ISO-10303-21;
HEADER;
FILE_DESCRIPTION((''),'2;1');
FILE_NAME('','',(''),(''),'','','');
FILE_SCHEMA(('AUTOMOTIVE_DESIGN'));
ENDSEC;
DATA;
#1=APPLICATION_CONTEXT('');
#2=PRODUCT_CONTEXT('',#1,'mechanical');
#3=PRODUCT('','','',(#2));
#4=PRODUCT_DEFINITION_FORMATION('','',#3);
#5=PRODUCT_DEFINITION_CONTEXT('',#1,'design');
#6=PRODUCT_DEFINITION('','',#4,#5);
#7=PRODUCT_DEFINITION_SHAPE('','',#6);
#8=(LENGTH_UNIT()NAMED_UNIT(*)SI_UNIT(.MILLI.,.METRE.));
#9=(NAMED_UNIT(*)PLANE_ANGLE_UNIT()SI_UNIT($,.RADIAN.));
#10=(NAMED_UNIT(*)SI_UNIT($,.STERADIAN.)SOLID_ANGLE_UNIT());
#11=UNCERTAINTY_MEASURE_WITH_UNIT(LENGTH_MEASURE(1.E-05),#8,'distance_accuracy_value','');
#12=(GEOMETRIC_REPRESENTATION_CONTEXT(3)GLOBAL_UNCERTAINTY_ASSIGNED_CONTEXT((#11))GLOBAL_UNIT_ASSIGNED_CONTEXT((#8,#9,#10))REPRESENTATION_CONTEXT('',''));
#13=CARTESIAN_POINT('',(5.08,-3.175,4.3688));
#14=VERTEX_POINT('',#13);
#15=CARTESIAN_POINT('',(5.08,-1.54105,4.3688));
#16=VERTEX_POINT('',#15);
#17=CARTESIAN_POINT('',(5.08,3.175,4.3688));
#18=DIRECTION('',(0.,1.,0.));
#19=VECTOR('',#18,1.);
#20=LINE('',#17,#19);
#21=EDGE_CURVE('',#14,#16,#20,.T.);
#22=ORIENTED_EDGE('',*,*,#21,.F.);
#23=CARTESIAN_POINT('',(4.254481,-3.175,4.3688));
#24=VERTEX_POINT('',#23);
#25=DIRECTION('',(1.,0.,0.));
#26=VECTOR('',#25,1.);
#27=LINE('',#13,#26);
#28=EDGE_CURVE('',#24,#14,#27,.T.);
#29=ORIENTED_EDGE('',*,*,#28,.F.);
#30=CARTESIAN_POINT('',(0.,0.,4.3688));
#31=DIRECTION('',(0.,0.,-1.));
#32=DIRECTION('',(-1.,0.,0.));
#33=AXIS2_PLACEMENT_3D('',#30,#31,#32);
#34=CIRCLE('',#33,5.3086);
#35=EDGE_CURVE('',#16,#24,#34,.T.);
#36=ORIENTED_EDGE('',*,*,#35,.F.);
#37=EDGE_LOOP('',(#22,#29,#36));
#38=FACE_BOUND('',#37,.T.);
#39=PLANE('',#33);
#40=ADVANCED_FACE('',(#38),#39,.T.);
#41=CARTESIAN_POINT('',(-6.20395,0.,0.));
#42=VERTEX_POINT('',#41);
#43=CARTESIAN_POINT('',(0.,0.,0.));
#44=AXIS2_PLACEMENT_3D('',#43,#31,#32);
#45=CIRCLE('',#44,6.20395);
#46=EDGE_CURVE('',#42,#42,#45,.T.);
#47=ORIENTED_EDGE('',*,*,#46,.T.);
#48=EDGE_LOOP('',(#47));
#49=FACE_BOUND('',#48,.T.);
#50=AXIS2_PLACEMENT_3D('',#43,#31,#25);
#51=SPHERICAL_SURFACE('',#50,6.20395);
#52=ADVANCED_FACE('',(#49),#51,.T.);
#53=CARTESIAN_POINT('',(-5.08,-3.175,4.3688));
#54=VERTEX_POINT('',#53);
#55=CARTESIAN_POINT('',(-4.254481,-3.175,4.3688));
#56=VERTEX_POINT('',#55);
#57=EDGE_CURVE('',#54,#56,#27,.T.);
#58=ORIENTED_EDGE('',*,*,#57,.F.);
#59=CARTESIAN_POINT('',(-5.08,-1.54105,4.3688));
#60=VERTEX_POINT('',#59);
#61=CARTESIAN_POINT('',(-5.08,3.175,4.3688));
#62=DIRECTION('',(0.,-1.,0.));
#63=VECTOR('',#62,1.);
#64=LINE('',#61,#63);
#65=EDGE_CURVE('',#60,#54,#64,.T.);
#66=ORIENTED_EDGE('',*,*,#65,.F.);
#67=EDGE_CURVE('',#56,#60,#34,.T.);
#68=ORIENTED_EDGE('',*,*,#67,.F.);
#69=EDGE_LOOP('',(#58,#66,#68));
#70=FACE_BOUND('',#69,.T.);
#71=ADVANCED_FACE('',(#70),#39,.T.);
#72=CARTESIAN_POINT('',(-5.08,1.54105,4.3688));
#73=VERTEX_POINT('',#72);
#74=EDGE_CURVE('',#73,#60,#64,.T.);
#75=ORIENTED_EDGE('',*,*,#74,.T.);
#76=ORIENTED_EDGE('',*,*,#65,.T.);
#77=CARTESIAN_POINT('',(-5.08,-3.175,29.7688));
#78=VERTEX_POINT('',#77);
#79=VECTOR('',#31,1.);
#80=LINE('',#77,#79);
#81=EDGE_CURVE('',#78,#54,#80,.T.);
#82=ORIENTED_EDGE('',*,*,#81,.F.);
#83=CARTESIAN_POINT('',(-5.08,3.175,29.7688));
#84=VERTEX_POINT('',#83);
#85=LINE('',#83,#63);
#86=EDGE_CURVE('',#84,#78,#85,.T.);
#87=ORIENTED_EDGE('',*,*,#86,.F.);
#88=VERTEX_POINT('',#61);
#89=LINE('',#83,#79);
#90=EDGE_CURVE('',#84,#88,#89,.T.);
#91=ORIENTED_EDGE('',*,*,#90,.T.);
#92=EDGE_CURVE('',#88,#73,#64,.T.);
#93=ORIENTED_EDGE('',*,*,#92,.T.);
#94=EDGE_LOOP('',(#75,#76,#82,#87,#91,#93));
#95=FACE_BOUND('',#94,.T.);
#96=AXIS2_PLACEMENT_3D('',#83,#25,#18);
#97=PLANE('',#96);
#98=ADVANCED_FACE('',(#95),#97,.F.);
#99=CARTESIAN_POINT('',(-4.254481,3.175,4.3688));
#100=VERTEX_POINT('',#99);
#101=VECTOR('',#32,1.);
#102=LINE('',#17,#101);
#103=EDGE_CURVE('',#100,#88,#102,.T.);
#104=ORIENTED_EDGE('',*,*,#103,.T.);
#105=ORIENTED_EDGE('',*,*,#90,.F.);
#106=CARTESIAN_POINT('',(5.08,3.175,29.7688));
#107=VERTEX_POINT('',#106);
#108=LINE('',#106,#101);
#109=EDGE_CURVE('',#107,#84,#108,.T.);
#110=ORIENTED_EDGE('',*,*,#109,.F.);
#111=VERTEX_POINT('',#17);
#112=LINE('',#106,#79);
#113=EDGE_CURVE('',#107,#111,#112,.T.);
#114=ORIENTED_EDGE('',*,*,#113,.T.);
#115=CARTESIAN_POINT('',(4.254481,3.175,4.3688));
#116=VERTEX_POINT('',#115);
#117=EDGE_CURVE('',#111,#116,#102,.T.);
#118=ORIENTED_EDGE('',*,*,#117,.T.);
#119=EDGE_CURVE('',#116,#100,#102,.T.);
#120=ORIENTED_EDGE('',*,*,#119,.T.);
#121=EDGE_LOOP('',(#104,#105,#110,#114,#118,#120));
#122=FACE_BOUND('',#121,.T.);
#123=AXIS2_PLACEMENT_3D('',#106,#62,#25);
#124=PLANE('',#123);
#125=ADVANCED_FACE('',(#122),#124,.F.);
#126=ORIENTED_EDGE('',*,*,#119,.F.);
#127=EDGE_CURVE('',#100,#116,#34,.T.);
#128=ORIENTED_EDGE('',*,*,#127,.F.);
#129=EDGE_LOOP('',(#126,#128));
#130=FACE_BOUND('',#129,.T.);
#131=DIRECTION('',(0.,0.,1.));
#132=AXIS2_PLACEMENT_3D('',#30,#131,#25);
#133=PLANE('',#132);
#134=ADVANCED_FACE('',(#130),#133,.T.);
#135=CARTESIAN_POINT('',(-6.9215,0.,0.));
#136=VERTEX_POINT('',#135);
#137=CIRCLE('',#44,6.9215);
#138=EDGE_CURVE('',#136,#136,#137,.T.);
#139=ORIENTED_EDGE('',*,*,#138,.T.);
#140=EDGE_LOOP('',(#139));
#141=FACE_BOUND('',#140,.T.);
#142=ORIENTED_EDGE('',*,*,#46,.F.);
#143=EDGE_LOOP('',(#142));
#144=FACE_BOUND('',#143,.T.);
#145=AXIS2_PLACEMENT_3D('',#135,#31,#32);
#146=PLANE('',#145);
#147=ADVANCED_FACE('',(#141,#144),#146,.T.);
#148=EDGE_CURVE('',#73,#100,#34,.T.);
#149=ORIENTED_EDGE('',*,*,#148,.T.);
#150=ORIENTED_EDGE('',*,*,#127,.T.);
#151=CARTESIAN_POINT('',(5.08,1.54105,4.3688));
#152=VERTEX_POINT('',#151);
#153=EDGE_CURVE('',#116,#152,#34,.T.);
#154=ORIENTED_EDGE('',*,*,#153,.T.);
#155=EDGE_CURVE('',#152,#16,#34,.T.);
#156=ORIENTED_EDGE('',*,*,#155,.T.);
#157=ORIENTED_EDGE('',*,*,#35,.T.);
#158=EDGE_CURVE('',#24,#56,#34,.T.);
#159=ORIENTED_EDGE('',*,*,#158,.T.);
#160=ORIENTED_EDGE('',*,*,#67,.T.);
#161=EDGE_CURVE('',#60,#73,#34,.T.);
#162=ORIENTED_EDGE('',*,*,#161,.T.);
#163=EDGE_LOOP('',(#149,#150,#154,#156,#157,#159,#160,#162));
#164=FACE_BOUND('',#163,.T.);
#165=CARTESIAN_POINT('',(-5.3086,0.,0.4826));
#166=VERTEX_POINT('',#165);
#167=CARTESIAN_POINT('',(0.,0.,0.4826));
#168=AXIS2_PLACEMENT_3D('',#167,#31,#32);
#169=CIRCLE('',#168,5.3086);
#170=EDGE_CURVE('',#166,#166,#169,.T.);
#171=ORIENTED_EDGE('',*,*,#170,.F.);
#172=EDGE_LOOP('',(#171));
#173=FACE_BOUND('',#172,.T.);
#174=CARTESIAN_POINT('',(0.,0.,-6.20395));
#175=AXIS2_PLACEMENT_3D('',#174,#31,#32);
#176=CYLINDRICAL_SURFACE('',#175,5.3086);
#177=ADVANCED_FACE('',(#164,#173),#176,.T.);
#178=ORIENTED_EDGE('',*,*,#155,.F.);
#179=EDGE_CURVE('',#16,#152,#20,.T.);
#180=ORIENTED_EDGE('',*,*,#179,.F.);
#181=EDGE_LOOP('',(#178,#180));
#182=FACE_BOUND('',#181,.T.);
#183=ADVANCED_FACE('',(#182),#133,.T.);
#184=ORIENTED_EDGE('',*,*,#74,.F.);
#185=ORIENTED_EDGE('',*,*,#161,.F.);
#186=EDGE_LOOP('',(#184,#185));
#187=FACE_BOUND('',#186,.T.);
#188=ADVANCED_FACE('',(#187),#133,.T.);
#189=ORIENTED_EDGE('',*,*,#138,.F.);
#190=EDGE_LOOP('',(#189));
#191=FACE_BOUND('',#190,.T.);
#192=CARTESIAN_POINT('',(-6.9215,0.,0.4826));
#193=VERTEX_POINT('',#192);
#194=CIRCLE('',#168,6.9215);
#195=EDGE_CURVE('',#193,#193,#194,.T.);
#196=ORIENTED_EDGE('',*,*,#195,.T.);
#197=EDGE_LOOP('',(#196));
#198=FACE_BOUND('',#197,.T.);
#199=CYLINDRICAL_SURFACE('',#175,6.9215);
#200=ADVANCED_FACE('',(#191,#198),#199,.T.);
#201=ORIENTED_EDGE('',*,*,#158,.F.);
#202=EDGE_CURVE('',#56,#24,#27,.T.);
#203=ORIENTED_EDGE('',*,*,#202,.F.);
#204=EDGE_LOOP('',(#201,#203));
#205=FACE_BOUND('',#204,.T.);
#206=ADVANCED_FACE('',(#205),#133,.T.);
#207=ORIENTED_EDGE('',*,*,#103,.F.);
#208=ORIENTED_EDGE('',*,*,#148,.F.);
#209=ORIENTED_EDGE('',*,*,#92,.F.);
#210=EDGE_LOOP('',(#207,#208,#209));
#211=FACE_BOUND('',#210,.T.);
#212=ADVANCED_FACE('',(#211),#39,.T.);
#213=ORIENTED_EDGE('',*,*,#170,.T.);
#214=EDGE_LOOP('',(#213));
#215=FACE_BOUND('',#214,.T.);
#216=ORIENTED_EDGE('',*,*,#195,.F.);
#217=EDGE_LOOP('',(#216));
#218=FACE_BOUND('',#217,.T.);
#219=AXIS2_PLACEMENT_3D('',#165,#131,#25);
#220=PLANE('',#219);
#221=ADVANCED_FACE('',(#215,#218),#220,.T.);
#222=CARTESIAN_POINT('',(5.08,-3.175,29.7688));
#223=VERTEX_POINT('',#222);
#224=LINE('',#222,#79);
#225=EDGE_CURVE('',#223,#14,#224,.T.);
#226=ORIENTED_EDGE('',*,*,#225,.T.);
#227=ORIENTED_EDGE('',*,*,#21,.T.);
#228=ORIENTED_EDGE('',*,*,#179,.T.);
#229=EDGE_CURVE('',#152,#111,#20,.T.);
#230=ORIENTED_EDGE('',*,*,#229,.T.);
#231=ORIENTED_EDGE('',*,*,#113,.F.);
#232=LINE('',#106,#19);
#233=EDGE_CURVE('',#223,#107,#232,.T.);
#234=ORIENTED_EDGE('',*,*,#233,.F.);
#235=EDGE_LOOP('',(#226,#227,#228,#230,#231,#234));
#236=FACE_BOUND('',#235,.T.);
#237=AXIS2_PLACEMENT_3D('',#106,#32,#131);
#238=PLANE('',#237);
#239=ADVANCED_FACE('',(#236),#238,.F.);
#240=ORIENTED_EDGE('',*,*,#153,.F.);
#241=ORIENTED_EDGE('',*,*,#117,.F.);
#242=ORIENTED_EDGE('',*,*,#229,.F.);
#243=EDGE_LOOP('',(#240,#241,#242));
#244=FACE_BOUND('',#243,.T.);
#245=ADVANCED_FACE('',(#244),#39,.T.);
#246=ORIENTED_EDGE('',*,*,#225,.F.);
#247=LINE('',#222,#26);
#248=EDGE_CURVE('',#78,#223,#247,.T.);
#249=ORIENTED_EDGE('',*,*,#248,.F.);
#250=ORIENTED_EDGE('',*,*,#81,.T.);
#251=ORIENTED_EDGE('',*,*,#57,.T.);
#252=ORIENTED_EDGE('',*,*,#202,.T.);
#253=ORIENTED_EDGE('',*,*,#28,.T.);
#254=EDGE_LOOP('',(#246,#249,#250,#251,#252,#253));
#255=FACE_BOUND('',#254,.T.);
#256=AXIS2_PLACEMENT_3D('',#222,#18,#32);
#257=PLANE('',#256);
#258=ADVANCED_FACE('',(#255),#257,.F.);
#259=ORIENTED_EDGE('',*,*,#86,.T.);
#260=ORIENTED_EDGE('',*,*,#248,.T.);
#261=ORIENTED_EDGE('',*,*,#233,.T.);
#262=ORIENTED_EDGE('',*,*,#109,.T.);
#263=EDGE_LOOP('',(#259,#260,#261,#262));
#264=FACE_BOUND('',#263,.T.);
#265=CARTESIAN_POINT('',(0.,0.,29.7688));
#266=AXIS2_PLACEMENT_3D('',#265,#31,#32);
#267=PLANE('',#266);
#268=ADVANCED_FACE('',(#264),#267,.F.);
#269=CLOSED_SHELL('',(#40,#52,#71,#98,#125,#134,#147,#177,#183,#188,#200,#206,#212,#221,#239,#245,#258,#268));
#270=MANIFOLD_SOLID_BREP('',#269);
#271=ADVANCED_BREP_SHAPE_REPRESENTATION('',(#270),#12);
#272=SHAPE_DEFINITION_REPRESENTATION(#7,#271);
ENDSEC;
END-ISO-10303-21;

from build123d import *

# Parameters (mm, degrees)
SKETCH2_W           = 10.16
SKETCH2_H           = 6.35
BOSS_EXTRUDE1_DEPTH = 25.4


with BuildPart() as part:
    # Sketch1 → Revolve1 (revolve)
    with BuildSketch(Plane(origin=(0, 0, 0), x_dir=(1, 0, 0), z_dir=(0, 1, 0))):
        with BuildLine():
            Line((0, 6.20395), (0, -4.3688))
            Line((0, -4.3688), (-5.3086, -4.3688))
            Line((-5.3086, -4.3688), (-5.3086, -0.4826))
            Line((-5.3086, -0.4826), (-6.9215, -0.4826))
            Line((-6.9215, -0.4826), (-6.9215, 0))
            Line((-6.9215, 0), (-6.20395, 0))
            ThreePointArc((-6.20395, 0), (-4.386855115, 4.386855115), (0, 6.20395))
        make_face()
    revolve(axis=Axis((0, 0, -6.20395), (0, 0, 1)))

    # Sketch2 → Boss-Extrude1 (add)
    with BuildSketch(Plane.XY.offset(4.3688)):
        Rectangle(SKETCH2_W, SKETCH2_H)
    extrude(amount=BOSS_EXTRUDE1_DEPTH)


solid = part.part
